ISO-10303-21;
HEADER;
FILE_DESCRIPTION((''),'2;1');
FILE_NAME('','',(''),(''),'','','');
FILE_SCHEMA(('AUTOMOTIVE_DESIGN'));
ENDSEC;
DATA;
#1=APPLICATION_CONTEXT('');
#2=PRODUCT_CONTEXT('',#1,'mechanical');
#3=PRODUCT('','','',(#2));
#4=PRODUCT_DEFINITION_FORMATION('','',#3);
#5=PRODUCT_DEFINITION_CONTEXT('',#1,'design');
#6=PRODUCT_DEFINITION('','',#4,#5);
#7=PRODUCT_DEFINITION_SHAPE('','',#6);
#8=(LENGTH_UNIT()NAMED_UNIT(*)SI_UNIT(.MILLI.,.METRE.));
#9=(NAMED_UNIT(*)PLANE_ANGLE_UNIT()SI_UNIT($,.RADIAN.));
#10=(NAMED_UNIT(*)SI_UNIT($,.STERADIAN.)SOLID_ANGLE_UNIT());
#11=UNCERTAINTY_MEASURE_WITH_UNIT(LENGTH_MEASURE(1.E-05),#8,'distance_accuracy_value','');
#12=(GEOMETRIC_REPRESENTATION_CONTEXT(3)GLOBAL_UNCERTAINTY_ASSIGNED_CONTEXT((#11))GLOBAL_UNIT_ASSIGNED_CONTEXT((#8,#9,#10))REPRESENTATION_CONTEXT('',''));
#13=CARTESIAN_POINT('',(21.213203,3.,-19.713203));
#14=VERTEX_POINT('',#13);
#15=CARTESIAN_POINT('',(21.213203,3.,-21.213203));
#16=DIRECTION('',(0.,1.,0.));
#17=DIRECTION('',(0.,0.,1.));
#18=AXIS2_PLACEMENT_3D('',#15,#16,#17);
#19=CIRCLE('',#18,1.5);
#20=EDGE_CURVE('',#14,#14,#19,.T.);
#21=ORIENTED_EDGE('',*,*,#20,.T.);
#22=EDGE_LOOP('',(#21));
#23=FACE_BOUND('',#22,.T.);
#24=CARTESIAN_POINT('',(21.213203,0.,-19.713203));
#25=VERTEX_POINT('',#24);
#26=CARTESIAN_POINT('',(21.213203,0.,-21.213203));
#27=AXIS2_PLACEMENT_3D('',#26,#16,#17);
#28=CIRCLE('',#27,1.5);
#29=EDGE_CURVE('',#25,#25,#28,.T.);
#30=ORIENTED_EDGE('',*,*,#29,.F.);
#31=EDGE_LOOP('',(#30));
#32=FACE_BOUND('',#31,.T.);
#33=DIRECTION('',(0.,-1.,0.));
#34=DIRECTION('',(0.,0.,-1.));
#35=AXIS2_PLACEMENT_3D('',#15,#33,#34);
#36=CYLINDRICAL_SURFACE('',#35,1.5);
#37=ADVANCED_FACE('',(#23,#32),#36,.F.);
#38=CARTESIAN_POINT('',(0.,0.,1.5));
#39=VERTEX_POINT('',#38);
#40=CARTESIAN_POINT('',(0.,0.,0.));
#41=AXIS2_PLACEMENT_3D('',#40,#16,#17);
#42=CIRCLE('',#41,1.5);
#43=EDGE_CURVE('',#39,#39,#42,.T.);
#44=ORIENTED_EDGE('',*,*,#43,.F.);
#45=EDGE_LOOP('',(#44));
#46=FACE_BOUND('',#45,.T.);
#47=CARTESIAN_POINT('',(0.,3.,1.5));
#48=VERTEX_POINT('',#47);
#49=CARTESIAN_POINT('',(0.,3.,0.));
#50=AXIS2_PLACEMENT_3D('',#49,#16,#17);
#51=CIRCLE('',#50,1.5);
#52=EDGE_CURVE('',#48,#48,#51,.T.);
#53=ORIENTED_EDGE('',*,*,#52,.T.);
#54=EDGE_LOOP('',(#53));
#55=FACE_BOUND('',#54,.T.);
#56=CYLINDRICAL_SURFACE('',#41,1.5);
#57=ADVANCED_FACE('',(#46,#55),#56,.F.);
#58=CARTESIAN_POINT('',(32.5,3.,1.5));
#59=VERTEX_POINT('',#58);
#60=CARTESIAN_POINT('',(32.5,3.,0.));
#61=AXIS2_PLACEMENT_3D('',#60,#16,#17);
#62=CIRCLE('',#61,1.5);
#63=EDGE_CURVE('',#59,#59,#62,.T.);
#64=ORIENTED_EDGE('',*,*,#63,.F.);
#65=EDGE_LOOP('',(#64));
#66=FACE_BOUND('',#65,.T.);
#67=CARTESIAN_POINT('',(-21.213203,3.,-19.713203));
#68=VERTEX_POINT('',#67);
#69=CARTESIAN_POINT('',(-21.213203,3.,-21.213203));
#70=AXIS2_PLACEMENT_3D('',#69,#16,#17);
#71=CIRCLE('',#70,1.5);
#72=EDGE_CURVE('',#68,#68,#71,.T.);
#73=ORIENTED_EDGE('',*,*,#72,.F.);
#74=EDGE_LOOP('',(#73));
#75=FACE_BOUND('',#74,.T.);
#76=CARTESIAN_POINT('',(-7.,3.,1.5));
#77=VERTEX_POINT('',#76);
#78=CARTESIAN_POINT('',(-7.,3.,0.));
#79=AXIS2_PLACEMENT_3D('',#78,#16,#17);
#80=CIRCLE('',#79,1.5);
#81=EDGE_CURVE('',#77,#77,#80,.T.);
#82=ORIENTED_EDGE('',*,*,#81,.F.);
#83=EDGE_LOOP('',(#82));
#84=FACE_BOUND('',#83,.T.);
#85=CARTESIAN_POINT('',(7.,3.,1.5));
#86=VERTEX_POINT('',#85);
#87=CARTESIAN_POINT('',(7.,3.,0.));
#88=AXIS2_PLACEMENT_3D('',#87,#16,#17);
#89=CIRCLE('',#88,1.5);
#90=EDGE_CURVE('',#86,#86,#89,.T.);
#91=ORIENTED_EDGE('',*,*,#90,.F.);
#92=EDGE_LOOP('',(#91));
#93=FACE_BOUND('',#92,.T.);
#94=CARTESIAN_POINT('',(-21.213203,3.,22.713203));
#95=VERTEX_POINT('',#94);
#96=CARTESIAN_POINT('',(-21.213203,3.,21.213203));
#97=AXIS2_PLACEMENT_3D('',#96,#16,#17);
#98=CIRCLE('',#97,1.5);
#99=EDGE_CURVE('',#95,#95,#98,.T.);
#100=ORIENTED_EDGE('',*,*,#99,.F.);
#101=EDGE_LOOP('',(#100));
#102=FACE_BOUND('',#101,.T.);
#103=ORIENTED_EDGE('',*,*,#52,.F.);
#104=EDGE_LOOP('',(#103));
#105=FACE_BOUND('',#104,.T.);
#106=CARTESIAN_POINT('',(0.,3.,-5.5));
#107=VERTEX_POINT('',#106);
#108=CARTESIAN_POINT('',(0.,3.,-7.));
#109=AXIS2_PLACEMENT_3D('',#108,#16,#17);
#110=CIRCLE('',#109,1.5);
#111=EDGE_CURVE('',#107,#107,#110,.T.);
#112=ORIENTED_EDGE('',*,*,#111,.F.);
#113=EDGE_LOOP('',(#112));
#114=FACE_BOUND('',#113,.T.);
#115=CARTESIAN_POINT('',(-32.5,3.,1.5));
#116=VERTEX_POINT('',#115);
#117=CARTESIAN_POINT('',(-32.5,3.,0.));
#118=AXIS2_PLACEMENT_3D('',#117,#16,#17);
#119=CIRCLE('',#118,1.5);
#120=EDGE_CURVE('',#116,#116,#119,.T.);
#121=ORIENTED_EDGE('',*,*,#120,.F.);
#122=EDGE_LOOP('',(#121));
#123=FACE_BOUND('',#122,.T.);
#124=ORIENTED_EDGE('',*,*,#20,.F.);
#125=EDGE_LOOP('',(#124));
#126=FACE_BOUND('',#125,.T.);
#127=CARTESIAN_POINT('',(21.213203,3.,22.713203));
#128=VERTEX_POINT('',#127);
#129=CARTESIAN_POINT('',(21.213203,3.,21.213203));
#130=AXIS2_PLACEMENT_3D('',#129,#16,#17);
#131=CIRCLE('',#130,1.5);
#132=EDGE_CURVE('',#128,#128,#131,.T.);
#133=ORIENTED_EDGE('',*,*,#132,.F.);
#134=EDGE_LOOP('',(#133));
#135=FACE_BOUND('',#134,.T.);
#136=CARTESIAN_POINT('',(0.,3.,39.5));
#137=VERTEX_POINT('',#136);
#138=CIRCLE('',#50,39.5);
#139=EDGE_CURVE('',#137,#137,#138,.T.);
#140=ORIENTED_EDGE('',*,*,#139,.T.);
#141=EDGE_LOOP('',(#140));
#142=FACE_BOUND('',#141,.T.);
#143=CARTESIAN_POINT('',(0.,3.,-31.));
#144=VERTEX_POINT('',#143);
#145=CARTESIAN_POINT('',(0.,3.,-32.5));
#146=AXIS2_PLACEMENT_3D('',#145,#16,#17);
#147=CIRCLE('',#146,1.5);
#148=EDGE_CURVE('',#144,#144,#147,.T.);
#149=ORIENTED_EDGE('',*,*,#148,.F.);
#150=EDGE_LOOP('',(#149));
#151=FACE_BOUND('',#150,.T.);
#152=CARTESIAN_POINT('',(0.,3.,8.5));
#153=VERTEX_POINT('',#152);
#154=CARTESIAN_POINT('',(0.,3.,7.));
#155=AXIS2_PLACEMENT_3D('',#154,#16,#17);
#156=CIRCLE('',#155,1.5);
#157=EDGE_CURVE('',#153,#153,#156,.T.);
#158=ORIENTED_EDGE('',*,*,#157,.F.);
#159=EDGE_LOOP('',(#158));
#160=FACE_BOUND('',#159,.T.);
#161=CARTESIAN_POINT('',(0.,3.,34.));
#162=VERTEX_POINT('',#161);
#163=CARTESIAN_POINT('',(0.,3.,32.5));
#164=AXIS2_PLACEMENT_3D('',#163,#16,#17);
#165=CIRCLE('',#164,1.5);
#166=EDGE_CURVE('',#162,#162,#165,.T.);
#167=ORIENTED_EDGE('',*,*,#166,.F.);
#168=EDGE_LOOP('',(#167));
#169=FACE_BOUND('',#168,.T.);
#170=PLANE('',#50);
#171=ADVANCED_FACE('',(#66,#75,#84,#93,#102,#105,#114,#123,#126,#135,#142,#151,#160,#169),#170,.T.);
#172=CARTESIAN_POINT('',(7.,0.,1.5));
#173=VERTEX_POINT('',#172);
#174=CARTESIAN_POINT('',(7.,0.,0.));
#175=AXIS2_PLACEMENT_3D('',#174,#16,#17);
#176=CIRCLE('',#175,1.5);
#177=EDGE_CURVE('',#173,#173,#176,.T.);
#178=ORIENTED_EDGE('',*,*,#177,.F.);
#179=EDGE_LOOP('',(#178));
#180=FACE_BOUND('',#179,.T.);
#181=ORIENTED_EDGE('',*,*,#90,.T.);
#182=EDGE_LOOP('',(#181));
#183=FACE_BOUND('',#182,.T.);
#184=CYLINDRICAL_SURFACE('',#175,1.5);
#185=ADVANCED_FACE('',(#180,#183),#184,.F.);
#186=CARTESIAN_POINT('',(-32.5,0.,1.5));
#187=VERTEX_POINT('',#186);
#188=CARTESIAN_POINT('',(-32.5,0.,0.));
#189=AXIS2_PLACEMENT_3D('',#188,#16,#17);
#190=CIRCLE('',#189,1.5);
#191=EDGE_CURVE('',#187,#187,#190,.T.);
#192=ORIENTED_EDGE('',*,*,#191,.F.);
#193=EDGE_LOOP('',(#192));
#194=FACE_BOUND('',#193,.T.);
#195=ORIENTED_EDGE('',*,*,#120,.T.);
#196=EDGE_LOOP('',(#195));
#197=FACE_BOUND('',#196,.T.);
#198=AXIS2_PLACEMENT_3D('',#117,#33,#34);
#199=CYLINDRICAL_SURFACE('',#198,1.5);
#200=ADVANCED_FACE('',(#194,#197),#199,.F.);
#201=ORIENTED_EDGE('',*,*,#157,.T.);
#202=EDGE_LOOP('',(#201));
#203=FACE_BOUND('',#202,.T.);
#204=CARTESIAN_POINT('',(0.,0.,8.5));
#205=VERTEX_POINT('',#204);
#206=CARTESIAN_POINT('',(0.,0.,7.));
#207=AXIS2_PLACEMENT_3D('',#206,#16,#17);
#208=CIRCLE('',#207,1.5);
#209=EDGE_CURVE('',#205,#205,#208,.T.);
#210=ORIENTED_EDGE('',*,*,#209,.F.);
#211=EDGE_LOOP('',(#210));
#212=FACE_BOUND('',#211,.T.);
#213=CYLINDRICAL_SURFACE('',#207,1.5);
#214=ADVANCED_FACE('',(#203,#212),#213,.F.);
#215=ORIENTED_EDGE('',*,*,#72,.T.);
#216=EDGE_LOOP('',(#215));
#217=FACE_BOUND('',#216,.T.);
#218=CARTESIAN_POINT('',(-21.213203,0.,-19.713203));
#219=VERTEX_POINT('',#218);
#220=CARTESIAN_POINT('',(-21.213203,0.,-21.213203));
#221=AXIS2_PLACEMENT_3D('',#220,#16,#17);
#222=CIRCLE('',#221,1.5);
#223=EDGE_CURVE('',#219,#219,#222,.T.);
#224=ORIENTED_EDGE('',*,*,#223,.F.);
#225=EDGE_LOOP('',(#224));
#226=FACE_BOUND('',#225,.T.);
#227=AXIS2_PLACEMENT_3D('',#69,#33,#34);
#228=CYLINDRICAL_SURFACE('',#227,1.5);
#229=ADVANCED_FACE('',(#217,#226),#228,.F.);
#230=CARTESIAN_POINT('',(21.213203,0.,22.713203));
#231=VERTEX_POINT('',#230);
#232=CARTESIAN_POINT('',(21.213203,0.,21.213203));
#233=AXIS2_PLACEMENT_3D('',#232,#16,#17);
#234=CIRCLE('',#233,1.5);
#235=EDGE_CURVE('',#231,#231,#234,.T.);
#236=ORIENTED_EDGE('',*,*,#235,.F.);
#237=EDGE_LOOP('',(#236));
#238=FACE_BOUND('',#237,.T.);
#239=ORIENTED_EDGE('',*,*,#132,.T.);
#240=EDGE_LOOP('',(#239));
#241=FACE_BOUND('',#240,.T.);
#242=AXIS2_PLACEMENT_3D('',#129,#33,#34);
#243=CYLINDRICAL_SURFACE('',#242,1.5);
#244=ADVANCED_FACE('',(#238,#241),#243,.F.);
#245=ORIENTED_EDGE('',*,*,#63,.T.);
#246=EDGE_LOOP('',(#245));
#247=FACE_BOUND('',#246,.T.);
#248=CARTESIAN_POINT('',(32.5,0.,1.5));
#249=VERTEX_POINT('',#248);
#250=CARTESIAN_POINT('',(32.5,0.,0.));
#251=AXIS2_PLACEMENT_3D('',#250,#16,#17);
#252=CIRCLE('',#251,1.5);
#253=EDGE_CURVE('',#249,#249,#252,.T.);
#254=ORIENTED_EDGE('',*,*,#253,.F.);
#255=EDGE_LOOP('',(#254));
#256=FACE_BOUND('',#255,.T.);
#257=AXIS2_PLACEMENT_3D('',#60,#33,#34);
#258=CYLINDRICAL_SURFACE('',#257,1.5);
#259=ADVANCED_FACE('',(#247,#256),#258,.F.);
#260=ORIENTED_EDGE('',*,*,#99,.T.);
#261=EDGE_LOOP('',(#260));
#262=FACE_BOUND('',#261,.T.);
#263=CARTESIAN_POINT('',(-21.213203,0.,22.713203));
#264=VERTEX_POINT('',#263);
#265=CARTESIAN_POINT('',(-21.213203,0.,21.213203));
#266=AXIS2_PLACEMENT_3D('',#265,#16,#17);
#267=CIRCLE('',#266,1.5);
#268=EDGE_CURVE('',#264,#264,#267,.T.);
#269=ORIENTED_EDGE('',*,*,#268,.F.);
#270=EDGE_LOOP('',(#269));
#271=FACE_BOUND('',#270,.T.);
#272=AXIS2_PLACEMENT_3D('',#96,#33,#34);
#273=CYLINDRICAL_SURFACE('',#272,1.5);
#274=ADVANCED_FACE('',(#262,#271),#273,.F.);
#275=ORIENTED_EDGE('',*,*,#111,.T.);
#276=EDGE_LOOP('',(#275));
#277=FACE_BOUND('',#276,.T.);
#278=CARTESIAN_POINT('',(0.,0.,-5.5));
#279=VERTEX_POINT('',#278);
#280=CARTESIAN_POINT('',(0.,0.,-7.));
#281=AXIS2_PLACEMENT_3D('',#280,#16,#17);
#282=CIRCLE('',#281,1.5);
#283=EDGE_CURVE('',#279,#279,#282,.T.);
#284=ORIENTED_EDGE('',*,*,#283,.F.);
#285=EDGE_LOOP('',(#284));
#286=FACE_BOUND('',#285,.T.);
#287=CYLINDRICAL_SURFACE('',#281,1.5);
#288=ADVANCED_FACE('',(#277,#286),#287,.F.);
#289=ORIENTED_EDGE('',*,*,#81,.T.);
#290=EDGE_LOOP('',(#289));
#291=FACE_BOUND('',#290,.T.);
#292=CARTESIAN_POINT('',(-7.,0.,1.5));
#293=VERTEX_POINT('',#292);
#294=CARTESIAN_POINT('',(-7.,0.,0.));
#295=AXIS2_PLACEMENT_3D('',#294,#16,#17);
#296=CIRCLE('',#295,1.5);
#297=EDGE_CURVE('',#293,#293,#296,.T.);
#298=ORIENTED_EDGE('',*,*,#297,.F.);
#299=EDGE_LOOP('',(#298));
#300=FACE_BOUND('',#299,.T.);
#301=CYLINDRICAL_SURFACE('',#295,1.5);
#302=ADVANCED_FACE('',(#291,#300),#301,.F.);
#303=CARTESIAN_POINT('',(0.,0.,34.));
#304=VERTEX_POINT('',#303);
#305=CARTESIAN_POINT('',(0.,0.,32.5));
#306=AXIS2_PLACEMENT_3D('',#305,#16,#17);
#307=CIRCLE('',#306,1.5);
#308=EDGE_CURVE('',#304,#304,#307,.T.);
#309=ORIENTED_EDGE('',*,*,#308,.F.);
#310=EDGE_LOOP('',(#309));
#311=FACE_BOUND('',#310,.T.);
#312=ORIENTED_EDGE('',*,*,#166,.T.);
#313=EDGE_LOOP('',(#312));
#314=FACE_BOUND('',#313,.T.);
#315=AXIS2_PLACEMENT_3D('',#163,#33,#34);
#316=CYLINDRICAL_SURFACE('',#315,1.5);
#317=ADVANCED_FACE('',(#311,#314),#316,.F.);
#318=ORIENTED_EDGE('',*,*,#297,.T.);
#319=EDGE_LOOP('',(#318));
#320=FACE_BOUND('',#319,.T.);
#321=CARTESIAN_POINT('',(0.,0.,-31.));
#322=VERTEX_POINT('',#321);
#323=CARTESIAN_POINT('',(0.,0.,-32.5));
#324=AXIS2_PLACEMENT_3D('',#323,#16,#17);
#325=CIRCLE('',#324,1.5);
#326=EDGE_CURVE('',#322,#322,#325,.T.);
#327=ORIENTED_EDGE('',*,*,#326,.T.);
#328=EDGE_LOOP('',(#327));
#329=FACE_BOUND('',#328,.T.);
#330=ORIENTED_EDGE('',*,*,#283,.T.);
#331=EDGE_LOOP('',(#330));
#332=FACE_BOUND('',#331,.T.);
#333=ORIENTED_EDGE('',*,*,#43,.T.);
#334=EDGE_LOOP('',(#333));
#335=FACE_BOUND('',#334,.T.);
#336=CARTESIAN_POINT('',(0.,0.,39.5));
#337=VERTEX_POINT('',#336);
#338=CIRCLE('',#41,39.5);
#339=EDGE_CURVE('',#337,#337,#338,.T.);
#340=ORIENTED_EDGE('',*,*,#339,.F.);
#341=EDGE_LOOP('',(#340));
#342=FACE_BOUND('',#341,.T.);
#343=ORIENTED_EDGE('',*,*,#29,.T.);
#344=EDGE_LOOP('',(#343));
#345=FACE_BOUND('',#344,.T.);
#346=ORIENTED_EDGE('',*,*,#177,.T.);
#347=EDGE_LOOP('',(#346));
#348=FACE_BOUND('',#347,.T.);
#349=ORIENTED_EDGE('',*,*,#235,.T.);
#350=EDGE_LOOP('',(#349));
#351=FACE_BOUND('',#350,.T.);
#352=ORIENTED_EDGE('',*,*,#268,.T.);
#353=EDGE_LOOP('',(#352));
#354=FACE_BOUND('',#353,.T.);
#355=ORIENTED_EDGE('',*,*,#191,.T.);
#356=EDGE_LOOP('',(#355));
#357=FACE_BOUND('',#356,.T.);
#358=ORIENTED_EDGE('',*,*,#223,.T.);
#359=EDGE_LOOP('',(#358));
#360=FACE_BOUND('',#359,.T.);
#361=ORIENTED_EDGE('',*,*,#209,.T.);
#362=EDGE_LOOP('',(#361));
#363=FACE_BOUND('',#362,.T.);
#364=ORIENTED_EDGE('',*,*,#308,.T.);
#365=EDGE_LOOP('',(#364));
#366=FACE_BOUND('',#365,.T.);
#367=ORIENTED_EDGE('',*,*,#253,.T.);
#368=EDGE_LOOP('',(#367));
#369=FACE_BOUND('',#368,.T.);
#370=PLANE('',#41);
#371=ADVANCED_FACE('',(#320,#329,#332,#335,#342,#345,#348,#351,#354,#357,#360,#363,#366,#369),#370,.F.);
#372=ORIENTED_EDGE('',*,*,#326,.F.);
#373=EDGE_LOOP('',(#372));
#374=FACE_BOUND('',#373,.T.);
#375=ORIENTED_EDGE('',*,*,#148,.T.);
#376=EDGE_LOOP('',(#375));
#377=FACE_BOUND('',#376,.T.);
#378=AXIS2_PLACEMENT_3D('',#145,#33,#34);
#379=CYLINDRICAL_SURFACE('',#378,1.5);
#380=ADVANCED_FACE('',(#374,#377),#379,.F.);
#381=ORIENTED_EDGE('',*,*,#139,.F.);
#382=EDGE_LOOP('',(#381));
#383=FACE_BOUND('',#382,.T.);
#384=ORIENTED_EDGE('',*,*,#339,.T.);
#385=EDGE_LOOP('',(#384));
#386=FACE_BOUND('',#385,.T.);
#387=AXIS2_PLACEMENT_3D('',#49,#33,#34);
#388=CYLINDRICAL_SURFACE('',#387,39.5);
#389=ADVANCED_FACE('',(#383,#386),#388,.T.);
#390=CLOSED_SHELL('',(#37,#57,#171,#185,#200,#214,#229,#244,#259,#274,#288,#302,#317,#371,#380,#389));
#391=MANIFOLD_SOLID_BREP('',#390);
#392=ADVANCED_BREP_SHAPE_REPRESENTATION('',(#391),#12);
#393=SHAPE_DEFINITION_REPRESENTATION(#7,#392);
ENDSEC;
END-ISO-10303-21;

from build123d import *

# Parameters (mm, degrees)
SKETCH_1_R               = 39.5
SKETCH_1_R_2             = 1.5
EXTRUDE_1_DEPTH          = 3
CUT_EXTRUDE_1_DEPTH      = 56.941934182
CUT_EXTRUDE_1_DEPTH_BACK = 56.941934182
SKETCH_2_R               = 1.5


with BuildPart() as part:
    # 草图1 → 凸台-拉伸1 (new body)
    with BuildSketch(Plane(origin=(0, 0, 0), x_dir=(1, 0, 0), z_dir=(0, 1, 0))):
        with Locations(Location((0, 0, 0), (0, 0, 270))):
            Circle(SKETCH_1_R)
        with Locations(Location((0, 32.5, 0), (0, 0, 270))):
            Circle(SKETCH_1_R_2, mode=Mode.SUBTRACT)
        with Locations(Location((32.5, 0, 0), (0, 0, 270))):
            Circle(SKETCH_1_R_2, mode=Mode.SUBTRACT)
        with Locations(Location((0, -32.5, 0), (0, 0, 270))):
            Circle(SKETCH_1_R_2, mode=Mode.SUBTRACT)
        with Locations(Location((-32.5, 0, 0), (0, 0, 270))):
            Circle(SKETCH_1_R_2, mode=Mode.SUBTRACT)
        with Locations(Location((21.213203436, 21.213203436, 0), (0, 0, 270))):
            Circle(SKETCH_1_R_2, mode=Mode.SUBTRACT)
        with Locations(Location((21.213203436, -21.213203436, 0), (0, 0, 270))):
            Circle(SKETCH_1_R_2, mode=Mode.SUBTRACT)
        with Locations(Location((-21.213203436, -21.213203436, 0), (0, 0, 270))):
            Circle(SKETCH_1_R_2, mode=Mode.SUBTRACT)
        with Locations(Location((-21.213203436, 21.213203436, 0), (0, 0, 270))):
            Circle(SKETCH_1_R_2, mode=Mode.SUBTRACT)
    extrude(amount=EXTRUDE_1_DEPTH)

    # 草图2 → 切除-拉伸1 (cut, two sides: drawn at the far end of the back side and taken through both)
    with BuildSketch(Plane(origin=(0, 3, 0), x_dir=(1, 0, 0), z_dir=(0, 1, 0)).offset(-CUT_EXTRUDE_1_DEPTH_BACK)):
        with Locations(Location((0, 0, 0), (0, 0, 270))):
            Circle(SKETCH_2_R)
        with Locations(Location((0, 7, 0), (0, 0, 270))):
            Circle(SKETCH_2_R)
        with Locations(Location((7, 0, 0), (0, 0, 270))):
            Circle(SKETCH_2_R)
        with Locations(Location((0, -7, 0), (0, 0, 270))):
            Circle(SKETCH_2_R)
        with Locations(Location((-7, 0, 0), (0, 0, 270))):
            Circle(SKETCH_2_R)
    extrude(amount=CUT_EXTRUDE_1_DEPTH + CUT_EXTRUDE_1_DEPTH_BACK, mode=Mode.SUBTRACT)


solid = part.part
